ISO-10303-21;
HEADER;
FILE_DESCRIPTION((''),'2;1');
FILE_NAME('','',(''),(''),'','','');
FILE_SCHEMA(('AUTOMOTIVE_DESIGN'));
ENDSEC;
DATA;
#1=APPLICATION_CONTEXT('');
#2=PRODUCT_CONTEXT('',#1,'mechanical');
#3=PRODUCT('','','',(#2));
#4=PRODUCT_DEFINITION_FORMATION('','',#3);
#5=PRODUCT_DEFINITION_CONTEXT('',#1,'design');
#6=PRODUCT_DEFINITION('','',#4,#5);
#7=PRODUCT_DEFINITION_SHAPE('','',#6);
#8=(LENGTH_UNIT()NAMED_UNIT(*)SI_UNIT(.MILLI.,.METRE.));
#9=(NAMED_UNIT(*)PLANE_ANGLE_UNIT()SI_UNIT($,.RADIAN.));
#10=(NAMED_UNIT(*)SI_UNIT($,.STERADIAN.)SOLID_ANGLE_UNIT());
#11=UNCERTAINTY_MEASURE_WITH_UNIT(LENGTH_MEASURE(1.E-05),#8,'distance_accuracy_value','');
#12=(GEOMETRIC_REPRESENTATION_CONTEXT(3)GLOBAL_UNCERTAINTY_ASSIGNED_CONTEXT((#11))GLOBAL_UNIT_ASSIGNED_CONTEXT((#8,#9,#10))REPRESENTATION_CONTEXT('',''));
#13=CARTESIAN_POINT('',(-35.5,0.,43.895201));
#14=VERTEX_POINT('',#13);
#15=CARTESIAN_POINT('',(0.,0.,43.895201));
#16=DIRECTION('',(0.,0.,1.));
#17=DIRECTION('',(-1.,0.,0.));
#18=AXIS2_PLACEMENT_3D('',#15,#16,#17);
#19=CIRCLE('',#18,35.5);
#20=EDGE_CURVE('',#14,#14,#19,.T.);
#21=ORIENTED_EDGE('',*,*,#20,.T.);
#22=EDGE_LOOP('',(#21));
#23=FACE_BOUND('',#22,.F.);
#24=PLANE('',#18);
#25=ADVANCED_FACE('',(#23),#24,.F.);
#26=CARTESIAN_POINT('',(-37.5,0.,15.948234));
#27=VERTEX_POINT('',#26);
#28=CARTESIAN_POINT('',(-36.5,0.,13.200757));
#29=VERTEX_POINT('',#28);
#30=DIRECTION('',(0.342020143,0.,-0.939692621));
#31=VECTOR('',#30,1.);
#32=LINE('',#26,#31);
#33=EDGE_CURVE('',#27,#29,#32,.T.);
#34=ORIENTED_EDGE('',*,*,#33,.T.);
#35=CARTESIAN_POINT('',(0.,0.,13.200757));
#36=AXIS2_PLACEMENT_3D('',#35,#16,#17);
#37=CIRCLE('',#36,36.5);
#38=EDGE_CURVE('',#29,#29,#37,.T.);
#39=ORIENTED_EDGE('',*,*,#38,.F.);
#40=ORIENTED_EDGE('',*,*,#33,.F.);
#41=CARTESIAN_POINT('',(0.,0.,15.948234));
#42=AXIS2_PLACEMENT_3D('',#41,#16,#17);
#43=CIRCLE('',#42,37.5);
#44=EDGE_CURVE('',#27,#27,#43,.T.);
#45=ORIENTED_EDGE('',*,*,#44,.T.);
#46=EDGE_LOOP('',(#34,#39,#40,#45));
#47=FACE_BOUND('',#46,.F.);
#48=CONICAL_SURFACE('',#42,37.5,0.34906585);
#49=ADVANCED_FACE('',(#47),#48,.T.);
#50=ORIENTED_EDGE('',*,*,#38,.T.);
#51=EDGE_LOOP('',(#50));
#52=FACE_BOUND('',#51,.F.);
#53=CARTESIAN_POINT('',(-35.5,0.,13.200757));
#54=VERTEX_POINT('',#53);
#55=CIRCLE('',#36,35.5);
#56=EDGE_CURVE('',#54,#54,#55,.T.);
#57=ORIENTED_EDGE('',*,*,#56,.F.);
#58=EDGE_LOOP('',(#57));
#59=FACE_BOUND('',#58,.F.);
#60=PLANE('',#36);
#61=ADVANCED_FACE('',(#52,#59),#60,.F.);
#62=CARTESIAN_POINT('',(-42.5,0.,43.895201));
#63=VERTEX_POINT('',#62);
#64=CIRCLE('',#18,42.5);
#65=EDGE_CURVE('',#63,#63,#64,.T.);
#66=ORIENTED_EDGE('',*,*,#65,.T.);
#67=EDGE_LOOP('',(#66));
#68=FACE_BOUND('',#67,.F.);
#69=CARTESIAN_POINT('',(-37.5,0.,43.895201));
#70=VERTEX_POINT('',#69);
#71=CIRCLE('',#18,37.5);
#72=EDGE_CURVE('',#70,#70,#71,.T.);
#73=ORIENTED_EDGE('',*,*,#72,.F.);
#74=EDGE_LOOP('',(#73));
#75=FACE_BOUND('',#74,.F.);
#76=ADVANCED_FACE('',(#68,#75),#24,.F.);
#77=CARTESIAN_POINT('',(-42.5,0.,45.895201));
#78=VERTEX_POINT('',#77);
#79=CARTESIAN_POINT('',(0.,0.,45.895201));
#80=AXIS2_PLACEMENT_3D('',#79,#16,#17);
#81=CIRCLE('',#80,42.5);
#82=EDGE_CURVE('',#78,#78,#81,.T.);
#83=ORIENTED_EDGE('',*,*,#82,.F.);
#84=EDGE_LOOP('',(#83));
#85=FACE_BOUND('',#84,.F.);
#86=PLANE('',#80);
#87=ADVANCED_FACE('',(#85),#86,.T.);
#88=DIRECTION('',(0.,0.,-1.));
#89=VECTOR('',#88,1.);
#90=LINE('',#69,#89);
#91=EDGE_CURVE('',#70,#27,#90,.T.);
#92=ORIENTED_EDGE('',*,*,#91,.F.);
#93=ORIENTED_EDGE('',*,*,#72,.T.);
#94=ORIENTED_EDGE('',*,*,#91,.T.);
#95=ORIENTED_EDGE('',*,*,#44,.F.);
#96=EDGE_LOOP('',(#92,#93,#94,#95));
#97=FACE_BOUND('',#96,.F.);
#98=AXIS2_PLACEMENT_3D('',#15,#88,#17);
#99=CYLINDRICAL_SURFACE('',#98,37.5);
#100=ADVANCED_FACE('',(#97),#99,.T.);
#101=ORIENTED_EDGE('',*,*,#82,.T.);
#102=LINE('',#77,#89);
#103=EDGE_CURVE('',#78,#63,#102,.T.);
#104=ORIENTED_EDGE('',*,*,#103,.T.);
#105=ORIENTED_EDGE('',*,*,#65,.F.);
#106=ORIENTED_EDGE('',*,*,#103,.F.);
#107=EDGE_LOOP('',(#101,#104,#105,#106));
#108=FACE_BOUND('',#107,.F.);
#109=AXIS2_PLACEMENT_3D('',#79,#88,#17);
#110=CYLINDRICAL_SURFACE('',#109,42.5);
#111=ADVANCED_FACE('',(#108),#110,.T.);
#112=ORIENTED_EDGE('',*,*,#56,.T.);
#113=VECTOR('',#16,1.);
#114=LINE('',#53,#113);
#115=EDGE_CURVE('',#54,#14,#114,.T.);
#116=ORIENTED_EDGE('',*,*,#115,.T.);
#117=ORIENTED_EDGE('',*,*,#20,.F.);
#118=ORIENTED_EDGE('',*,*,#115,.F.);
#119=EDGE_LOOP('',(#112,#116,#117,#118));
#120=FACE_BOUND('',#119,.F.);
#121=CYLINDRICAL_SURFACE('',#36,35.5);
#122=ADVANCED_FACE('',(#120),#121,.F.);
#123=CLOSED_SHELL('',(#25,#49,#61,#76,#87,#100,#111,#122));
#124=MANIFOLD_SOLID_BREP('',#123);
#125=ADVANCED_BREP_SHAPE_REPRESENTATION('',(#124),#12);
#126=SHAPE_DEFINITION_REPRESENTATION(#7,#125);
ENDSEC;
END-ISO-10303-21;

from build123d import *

# Parameters (mm, degrees)
F2_SIZE2 = 1
F2_SIZE  = 2.7474774195


with BuildPart() as f1:
    # F0 (on Front) → F1 (revolve)
    with BuildSketch(Plane.XZ):
        Polygon((0, 43.895201116), (0, 45.895201116), (-42.5, 45.895201116), (-42.5, 43.895201116), (-37.5, 43.895201116), (-37.5, 13.2007567672), (-35.5, 13.2007567672), (-35.5, 43.895201116), align=None)
    revolve(axis=Axis((0, 0, 20.4379661009), (0, 0, 1)))

    # F2
    f2_edges = [f1.edges().sort_by_distance(p)[0] for p in [
        (37.5, 0, 13.200757),
    ]]
    f2_side = f1.faces().sort_by_distance((37.5, 0, 28.547979))[0]
    chamfer(f2_edges, length=F2_SIZE, length2=F2_SIZE2, reference=f2_side)


solid = f1.part
